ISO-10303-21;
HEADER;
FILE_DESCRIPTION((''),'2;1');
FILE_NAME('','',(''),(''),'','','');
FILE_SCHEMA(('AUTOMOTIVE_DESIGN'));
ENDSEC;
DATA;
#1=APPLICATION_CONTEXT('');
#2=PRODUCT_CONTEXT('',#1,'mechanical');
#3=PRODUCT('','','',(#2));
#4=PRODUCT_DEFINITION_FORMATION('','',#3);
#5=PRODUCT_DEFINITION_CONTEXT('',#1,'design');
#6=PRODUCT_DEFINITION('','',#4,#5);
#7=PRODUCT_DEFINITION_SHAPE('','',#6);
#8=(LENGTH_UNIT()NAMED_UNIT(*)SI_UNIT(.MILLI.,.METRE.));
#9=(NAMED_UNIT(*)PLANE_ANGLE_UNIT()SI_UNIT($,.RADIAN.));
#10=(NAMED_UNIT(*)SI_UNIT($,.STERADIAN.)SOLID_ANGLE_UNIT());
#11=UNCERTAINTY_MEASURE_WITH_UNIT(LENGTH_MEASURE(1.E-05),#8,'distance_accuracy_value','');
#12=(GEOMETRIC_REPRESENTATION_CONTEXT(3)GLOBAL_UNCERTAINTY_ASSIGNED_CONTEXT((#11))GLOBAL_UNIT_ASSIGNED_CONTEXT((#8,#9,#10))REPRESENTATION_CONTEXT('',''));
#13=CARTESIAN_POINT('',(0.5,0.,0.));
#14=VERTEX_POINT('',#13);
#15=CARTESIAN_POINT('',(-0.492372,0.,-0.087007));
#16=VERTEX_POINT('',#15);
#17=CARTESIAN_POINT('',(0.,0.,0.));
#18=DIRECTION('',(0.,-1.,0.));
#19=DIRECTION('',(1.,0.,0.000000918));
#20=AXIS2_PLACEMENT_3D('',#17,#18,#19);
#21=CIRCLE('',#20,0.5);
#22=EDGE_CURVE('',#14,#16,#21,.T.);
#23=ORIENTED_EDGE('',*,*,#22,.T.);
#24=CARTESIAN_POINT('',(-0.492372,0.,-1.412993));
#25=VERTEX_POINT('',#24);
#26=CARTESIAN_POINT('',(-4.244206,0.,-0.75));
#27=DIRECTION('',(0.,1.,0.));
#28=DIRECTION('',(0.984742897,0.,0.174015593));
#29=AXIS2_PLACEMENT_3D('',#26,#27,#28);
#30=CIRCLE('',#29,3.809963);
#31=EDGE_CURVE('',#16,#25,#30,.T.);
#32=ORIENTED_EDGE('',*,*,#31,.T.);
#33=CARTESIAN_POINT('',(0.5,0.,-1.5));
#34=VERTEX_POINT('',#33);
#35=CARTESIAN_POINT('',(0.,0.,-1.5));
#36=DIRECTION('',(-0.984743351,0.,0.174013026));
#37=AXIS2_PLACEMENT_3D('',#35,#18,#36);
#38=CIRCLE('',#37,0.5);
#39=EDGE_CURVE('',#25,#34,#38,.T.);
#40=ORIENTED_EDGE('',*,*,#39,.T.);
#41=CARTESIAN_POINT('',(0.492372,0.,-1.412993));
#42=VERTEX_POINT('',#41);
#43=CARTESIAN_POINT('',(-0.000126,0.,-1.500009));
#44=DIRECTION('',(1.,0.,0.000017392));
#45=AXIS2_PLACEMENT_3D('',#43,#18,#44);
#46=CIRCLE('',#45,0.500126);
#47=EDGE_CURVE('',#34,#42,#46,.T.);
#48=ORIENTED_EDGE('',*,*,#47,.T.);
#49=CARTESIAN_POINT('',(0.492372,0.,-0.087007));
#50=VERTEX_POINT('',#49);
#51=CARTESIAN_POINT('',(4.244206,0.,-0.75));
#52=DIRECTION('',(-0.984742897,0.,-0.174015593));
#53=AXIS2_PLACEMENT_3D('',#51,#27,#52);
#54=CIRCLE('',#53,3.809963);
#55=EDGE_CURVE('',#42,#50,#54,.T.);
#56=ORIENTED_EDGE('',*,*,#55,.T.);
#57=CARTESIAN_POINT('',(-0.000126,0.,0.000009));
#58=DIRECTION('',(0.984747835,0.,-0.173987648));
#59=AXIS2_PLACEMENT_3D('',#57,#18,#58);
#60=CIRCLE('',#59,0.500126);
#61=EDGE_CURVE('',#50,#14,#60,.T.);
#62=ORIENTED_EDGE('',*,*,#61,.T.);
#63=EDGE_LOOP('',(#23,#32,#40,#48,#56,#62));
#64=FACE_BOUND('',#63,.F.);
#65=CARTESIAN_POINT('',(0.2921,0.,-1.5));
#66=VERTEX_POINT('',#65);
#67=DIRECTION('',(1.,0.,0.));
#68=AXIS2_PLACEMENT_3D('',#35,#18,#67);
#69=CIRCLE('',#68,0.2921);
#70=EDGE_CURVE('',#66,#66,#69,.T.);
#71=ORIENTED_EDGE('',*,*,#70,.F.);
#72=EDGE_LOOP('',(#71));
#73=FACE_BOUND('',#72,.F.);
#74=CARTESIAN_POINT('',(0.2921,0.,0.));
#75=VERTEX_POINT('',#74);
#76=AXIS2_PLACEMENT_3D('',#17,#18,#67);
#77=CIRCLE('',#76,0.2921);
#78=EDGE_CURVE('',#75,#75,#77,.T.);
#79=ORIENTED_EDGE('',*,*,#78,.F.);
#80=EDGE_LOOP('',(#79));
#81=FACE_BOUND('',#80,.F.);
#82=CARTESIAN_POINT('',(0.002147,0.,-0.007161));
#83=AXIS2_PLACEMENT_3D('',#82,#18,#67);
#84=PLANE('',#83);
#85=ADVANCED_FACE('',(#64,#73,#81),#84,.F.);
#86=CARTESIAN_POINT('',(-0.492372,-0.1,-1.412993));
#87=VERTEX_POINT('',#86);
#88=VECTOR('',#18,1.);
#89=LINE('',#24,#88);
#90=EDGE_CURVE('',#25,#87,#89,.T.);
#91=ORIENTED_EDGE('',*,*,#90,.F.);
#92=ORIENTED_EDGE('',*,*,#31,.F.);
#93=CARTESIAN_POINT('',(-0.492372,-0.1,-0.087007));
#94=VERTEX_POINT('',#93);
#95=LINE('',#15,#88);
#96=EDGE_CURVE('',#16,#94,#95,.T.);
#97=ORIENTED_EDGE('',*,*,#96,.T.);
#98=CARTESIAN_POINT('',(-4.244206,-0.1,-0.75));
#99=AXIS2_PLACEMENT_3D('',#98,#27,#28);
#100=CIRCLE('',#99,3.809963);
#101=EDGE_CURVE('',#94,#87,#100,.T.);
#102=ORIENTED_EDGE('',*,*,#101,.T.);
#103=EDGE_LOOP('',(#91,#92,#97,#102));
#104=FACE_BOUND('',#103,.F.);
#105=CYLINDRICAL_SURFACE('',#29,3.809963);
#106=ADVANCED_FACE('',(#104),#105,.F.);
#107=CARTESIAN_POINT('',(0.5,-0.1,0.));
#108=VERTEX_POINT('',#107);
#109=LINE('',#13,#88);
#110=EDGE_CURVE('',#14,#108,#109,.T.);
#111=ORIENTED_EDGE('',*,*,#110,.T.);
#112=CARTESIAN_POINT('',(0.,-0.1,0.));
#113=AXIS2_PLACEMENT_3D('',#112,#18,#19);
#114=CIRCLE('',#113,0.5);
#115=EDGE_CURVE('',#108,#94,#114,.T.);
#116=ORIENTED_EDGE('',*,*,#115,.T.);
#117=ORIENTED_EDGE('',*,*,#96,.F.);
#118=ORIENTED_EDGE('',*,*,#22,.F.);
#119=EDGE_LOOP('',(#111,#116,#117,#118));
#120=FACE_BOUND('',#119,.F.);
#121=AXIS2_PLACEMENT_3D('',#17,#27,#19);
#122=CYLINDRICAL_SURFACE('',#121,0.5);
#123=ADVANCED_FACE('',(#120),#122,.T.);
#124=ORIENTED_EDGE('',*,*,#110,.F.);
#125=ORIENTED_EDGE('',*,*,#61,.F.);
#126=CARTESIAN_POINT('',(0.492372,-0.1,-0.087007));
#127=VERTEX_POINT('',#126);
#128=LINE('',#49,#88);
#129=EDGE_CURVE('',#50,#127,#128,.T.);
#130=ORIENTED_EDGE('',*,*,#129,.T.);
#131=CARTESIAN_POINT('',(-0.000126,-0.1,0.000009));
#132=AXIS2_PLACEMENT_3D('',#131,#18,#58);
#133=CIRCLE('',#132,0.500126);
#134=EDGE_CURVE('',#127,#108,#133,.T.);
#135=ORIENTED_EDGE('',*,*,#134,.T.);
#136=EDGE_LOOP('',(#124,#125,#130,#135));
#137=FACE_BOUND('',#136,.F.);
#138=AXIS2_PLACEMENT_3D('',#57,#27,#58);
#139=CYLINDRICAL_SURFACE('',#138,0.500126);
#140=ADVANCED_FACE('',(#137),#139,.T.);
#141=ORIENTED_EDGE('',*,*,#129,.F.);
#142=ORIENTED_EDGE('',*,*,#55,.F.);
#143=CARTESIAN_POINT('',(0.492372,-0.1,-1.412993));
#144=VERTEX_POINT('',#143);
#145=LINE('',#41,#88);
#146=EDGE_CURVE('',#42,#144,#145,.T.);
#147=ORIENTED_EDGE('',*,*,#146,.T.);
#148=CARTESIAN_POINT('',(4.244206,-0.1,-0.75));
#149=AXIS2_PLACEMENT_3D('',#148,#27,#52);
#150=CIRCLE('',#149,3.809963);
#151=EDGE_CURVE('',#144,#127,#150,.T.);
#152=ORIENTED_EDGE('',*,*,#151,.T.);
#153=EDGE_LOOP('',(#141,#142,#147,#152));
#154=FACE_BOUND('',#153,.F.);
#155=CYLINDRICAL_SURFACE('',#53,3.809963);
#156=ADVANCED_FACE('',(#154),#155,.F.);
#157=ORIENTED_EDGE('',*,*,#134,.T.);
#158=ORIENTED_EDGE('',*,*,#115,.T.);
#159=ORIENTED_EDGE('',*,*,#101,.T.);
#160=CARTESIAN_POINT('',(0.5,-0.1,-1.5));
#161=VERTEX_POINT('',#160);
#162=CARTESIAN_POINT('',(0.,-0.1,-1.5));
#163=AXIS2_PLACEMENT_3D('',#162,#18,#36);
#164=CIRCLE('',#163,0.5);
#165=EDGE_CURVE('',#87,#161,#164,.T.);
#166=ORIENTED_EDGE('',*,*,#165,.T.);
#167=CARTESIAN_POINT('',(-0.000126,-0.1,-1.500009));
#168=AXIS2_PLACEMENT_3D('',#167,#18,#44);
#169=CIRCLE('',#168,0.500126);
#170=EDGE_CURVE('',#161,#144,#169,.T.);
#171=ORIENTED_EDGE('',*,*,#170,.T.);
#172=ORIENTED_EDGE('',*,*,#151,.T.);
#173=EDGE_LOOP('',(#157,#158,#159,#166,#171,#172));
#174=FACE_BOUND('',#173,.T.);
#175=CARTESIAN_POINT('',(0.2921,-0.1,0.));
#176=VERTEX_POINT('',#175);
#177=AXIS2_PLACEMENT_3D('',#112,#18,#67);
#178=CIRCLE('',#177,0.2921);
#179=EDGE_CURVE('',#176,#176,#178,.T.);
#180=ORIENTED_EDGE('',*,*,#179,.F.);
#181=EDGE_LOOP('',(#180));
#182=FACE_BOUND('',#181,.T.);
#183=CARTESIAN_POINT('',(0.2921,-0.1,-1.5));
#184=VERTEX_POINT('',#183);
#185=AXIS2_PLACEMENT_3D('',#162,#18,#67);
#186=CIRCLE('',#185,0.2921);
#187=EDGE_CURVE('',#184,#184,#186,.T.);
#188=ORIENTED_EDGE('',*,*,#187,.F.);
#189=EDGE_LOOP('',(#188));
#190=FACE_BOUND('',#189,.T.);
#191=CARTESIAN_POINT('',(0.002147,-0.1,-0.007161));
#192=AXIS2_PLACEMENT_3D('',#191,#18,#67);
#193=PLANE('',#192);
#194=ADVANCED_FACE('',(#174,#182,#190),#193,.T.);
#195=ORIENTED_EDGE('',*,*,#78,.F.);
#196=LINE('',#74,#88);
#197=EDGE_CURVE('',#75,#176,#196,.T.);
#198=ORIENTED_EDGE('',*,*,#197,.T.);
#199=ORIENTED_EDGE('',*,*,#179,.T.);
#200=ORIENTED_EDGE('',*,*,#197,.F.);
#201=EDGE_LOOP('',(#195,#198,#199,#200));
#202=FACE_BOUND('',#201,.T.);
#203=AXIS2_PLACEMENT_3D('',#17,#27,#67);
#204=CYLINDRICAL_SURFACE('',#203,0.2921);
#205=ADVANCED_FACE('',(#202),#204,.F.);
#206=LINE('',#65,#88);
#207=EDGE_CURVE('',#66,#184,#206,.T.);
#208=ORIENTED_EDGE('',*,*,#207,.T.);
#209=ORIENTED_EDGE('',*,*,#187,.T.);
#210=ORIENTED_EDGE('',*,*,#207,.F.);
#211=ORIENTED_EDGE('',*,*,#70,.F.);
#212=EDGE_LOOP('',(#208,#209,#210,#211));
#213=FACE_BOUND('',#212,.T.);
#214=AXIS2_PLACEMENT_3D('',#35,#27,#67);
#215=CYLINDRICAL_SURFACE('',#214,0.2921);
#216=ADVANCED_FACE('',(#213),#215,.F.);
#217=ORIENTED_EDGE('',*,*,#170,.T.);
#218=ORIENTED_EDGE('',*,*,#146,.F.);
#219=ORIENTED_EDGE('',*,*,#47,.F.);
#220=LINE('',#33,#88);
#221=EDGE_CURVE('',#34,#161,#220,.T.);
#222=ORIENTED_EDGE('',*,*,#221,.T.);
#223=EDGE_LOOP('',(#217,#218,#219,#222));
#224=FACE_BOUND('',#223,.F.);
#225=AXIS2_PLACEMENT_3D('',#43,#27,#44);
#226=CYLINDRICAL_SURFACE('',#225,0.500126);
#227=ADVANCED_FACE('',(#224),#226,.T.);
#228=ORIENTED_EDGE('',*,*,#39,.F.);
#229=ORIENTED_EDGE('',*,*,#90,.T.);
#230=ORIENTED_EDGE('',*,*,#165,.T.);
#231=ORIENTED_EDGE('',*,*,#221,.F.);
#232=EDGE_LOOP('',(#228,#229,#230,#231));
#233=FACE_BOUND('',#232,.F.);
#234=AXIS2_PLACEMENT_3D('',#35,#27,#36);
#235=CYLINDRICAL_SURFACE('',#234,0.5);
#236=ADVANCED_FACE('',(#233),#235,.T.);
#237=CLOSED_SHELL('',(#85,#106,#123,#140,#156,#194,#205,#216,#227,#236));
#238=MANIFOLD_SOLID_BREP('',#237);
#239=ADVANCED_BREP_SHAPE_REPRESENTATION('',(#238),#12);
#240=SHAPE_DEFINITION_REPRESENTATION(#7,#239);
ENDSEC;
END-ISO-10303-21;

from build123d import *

# Parameters (mm, degrees)
F0_R     = 0.2921
F1_DEPTH = 0.1


with BuildPart() as f1:
    # F0 (on Front) → F1 (new body)
    with BuildSketch(Plane.XZ):
        with BuildLine():
            ThreePointArc((0.492372, -0.087007), (0.498089, -0.04367), (0.5, 0))
            ThreePointArc((0.5, 0), (-0.04367, 0.498089), (-0.492372, -0.087007))
            ThreePointArc((-0.492372, -0.087007), (0, -0.5), (0.492372, -0.087007))
        make_face()
        Circle(F0_R, mode=Mode.SUBTRACT)
        with BuildLine():
            ThreePointArc((0.492372, -0.087007), (0, -0.5), (-0.492372, -0.087007))
            ThreePointArc((-0.492372, -0.087007), (-0.434243, -0.75), (-0.492372, -1.412993))
            ThreePointArc((-0.492372, -1.412993), (0, -1), (0.492372, -1.412993))
            ThreePointArc((0.492372, -1.412993), (0.434243, -0.75), (0.492372, -0.087007))
        make_face()
        with BuildLine():
            ThreePointArc((0.492372, -1.412993), (0, -1), (-0.492372, -1.412993))
            ThreePointArc((-0.492372, -1.412993), (-0.04367, -1.998089), (0.5, -1.5))
            ThreePointArc((0.5, -1.5), (0.498089, -1.45633), (0.492372, -1.412993))
        make_face()
        with Locations((0, -1.5)):
            Circle(F0_R, mode=Mode.SUBTRACT)
    extrude(amount=F1_DEPTH)


solid = f1.part
